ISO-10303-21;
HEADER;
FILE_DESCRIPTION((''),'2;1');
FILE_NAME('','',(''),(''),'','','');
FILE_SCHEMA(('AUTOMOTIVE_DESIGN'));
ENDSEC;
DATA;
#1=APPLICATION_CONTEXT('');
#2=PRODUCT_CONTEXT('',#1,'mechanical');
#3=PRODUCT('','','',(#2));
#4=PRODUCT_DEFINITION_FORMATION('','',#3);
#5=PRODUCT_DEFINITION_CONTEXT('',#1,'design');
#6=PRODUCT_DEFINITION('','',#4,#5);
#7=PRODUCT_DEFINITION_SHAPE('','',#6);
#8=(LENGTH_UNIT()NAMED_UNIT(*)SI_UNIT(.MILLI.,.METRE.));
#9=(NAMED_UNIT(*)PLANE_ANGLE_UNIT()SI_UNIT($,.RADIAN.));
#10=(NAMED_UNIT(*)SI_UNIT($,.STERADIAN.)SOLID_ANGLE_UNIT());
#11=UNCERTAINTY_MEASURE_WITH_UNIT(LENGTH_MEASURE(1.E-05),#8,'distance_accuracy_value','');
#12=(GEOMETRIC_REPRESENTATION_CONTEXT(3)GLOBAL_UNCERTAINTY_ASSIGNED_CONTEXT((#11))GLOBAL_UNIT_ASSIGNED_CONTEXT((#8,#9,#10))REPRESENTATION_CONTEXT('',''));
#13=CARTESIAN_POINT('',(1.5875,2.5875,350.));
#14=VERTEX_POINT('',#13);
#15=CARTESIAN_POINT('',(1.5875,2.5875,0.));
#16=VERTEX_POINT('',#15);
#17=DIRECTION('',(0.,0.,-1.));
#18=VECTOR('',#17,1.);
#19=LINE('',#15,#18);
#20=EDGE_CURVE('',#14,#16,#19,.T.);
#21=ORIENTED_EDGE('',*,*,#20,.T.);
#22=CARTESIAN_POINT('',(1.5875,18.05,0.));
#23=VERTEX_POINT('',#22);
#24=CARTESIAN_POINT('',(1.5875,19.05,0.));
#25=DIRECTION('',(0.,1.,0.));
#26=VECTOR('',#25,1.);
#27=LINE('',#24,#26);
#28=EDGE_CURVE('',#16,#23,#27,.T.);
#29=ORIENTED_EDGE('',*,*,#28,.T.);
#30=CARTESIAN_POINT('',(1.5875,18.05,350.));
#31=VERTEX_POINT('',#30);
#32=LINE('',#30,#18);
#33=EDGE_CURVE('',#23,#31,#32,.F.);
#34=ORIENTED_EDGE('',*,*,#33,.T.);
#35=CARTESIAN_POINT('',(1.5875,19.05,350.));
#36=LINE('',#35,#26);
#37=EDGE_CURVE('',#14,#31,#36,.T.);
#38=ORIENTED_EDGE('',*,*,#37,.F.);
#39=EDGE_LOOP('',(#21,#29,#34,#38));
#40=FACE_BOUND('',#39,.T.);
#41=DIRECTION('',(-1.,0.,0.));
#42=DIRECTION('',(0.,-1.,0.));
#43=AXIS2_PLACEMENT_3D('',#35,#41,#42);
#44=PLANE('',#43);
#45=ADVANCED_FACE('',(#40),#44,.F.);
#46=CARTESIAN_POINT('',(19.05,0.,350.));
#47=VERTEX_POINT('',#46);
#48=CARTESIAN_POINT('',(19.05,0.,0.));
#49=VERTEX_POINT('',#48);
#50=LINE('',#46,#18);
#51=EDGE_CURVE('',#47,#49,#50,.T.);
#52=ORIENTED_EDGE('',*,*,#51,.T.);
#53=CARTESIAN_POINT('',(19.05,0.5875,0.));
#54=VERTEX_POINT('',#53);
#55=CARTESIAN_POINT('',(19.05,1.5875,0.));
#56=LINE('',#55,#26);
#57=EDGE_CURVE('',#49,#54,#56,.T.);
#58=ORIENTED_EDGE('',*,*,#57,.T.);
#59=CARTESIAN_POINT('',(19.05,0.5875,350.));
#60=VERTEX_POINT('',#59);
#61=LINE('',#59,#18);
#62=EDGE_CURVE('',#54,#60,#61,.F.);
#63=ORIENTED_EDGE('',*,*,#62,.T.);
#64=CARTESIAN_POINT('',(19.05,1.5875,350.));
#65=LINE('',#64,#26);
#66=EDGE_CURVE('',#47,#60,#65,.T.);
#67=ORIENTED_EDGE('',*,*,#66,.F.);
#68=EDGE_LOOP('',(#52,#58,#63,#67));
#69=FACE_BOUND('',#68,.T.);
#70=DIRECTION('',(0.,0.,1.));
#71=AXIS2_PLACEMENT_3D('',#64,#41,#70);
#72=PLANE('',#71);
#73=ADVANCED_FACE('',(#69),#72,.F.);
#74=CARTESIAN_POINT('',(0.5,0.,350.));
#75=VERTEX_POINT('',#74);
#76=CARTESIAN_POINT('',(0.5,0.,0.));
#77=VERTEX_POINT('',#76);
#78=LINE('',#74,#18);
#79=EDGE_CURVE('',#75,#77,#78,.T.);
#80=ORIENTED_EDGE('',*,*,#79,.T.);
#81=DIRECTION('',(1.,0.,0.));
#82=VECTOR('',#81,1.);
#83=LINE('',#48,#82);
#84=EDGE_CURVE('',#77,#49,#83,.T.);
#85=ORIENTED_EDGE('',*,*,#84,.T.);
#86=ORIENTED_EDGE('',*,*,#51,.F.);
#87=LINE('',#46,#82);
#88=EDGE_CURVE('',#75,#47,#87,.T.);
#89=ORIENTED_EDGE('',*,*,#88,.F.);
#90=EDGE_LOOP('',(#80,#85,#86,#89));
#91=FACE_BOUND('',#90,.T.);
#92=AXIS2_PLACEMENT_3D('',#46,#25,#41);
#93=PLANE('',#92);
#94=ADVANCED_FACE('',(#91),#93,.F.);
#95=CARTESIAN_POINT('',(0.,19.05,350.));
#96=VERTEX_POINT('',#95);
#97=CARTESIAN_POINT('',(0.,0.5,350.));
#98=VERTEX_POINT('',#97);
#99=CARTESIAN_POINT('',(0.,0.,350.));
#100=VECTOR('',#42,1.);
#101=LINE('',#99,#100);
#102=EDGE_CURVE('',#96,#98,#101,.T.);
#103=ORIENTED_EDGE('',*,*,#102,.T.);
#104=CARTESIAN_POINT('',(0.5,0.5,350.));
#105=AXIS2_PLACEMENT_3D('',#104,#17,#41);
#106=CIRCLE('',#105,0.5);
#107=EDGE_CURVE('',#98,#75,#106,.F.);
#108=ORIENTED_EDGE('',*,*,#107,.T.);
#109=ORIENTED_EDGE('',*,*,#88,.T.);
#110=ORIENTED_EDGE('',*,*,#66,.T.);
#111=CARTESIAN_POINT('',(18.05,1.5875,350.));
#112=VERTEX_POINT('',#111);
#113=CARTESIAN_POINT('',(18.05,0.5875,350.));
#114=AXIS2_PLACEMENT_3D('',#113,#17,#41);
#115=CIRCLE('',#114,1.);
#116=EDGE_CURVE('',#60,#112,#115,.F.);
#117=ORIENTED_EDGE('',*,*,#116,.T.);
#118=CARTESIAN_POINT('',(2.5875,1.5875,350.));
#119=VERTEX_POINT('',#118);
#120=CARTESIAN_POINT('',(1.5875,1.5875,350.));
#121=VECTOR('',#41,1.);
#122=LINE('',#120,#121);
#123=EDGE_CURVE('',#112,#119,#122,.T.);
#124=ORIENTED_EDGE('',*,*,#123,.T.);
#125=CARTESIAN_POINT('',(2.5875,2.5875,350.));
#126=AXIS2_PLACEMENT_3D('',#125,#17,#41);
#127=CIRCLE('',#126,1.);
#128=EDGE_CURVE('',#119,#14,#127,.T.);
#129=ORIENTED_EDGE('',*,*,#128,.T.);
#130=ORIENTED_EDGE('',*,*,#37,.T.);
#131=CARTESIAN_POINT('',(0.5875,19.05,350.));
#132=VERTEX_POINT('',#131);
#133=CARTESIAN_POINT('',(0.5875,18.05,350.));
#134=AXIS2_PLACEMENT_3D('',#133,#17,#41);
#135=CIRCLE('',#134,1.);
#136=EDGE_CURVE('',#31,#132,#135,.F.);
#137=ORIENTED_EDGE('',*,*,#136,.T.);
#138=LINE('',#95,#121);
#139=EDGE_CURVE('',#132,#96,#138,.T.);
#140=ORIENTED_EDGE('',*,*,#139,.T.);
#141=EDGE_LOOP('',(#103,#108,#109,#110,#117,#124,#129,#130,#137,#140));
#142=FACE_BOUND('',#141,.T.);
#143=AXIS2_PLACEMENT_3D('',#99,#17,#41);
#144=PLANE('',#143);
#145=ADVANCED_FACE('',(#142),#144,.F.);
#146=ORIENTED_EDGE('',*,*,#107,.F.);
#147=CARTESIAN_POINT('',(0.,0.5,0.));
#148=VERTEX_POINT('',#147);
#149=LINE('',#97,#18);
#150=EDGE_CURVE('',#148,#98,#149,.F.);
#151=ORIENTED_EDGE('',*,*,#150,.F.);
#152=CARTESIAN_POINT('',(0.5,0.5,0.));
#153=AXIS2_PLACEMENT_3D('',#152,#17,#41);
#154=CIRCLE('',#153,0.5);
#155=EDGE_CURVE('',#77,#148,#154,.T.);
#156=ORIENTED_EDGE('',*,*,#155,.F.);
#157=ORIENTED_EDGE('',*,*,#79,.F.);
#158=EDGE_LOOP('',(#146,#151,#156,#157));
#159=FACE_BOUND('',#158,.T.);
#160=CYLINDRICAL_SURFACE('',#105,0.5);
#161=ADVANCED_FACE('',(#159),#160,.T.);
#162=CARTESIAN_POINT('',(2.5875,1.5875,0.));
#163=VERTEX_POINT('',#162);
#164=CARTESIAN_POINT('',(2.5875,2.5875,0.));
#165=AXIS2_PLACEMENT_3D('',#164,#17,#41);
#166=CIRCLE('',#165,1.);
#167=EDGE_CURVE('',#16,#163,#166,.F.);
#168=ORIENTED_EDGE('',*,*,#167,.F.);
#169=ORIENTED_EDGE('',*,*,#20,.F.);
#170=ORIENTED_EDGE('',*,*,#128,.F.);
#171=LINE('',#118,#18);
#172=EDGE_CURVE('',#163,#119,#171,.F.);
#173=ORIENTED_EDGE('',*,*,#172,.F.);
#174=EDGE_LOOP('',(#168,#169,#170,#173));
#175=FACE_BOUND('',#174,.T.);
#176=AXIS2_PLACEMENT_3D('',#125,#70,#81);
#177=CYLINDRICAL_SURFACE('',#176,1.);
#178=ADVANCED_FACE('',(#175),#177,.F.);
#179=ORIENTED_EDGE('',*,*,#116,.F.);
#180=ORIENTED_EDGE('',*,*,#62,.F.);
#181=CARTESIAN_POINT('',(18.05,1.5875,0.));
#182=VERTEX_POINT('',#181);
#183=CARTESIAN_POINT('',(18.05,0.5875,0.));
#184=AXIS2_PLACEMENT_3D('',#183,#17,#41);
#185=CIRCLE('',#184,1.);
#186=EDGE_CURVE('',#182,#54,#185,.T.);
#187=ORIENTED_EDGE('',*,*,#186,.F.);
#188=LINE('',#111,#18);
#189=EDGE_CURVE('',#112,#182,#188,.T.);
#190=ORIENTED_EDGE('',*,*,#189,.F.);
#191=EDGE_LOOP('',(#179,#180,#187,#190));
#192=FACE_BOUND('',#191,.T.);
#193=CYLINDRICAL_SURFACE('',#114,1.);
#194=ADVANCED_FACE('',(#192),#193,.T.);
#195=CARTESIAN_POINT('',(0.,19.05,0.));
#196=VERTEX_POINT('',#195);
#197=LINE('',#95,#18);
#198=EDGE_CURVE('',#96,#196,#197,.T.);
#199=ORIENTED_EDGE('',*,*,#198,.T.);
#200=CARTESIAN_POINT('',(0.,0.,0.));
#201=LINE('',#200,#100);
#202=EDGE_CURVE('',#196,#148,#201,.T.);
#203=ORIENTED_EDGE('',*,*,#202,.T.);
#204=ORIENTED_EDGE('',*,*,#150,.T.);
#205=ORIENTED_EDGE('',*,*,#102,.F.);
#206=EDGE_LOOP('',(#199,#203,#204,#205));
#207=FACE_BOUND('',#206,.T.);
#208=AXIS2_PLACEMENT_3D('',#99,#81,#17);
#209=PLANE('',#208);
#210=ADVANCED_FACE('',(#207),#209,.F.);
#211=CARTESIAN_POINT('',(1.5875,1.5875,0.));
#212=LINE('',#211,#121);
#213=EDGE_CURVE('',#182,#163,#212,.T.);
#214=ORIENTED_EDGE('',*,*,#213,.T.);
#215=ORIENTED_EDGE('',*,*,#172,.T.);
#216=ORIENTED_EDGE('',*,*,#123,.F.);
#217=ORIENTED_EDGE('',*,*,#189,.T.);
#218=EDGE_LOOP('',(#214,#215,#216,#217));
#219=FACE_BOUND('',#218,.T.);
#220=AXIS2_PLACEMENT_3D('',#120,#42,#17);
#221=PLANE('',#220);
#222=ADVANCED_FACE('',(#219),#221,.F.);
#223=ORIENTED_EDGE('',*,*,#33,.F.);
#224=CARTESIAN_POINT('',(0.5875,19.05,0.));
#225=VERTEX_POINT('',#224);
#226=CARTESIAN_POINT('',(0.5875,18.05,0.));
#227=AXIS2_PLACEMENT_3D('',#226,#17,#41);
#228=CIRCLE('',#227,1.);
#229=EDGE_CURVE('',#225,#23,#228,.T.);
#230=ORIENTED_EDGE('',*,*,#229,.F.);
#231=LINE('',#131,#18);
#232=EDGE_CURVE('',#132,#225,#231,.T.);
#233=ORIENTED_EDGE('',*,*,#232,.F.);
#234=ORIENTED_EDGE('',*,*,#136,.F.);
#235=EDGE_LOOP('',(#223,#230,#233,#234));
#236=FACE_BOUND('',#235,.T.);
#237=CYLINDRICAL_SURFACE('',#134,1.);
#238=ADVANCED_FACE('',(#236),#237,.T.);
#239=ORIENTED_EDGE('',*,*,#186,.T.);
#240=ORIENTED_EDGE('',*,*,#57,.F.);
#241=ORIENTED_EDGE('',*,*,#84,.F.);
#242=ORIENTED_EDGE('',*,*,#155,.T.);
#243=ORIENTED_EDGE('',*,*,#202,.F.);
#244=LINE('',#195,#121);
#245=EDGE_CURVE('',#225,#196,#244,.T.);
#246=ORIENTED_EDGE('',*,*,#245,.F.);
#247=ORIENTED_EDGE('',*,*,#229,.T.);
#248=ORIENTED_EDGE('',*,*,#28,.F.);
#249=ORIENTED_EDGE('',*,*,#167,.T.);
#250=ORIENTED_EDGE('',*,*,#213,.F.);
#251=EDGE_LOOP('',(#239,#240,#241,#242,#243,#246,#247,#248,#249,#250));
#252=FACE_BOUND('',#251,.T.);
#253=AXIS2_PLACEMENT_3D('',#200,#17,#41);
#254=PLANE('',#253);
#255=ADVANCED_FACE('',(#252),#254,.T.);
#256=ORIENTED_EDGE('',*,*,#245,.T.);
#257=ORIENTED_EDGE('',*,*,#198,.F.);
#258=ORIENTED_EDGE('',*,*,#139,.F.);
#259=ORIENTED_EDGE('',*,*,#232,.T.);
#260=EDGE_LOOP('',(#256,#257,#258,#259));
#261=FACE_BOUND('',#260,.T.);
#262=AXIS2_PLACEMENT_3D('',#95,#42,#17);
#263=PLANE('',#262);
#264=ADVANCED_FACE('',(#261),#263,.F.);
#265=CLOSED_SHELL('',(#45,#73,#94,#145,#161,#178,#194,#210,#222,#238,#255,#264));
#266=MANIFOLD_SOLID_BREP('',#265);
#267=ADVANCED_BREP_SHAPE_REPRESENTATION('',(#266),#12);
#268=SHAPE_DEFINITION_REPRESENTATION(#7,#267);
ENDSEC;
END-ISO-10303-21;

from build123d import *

# Parameters (mm, degrees)
BOSS_EXTRUDE1_DEPTH = 350
FILLET1_R           = 1
FILLET2_R           = 0.5


with BuildPart() as part:
    # Sketch1 → Boss-Extrude1 (new body)
    with BuildSketch(Plane.XY):
        Polygon((0, 0), (0, 19.05), (1.5875, 19.05), (1.5875, 1.5875), (19.05, 1.5875), (19.05, 0), align=None)
    extrude(amount=BOSS_EXTRUDE1_DEPTH)

    # Fillet1
    fillet1_edges = [part.edges().sort_by_distance(p)[0] for p in [
        (1.5875, 19.05, 175),
        (1.5875, 1.5875, 175),
        (19.05, 1.5875, 175),
    ]]
    fillet(fillet1_edges, radius=FILLET1_R)

    # Fillet2
    fillet2_edges = [part.edges().sort_by_distance(p)[0] for p in [
        (0, 0, 175),
    ]]
    fillet(fillet2_edges, radius=FILLET2_R)


solid = part.part
